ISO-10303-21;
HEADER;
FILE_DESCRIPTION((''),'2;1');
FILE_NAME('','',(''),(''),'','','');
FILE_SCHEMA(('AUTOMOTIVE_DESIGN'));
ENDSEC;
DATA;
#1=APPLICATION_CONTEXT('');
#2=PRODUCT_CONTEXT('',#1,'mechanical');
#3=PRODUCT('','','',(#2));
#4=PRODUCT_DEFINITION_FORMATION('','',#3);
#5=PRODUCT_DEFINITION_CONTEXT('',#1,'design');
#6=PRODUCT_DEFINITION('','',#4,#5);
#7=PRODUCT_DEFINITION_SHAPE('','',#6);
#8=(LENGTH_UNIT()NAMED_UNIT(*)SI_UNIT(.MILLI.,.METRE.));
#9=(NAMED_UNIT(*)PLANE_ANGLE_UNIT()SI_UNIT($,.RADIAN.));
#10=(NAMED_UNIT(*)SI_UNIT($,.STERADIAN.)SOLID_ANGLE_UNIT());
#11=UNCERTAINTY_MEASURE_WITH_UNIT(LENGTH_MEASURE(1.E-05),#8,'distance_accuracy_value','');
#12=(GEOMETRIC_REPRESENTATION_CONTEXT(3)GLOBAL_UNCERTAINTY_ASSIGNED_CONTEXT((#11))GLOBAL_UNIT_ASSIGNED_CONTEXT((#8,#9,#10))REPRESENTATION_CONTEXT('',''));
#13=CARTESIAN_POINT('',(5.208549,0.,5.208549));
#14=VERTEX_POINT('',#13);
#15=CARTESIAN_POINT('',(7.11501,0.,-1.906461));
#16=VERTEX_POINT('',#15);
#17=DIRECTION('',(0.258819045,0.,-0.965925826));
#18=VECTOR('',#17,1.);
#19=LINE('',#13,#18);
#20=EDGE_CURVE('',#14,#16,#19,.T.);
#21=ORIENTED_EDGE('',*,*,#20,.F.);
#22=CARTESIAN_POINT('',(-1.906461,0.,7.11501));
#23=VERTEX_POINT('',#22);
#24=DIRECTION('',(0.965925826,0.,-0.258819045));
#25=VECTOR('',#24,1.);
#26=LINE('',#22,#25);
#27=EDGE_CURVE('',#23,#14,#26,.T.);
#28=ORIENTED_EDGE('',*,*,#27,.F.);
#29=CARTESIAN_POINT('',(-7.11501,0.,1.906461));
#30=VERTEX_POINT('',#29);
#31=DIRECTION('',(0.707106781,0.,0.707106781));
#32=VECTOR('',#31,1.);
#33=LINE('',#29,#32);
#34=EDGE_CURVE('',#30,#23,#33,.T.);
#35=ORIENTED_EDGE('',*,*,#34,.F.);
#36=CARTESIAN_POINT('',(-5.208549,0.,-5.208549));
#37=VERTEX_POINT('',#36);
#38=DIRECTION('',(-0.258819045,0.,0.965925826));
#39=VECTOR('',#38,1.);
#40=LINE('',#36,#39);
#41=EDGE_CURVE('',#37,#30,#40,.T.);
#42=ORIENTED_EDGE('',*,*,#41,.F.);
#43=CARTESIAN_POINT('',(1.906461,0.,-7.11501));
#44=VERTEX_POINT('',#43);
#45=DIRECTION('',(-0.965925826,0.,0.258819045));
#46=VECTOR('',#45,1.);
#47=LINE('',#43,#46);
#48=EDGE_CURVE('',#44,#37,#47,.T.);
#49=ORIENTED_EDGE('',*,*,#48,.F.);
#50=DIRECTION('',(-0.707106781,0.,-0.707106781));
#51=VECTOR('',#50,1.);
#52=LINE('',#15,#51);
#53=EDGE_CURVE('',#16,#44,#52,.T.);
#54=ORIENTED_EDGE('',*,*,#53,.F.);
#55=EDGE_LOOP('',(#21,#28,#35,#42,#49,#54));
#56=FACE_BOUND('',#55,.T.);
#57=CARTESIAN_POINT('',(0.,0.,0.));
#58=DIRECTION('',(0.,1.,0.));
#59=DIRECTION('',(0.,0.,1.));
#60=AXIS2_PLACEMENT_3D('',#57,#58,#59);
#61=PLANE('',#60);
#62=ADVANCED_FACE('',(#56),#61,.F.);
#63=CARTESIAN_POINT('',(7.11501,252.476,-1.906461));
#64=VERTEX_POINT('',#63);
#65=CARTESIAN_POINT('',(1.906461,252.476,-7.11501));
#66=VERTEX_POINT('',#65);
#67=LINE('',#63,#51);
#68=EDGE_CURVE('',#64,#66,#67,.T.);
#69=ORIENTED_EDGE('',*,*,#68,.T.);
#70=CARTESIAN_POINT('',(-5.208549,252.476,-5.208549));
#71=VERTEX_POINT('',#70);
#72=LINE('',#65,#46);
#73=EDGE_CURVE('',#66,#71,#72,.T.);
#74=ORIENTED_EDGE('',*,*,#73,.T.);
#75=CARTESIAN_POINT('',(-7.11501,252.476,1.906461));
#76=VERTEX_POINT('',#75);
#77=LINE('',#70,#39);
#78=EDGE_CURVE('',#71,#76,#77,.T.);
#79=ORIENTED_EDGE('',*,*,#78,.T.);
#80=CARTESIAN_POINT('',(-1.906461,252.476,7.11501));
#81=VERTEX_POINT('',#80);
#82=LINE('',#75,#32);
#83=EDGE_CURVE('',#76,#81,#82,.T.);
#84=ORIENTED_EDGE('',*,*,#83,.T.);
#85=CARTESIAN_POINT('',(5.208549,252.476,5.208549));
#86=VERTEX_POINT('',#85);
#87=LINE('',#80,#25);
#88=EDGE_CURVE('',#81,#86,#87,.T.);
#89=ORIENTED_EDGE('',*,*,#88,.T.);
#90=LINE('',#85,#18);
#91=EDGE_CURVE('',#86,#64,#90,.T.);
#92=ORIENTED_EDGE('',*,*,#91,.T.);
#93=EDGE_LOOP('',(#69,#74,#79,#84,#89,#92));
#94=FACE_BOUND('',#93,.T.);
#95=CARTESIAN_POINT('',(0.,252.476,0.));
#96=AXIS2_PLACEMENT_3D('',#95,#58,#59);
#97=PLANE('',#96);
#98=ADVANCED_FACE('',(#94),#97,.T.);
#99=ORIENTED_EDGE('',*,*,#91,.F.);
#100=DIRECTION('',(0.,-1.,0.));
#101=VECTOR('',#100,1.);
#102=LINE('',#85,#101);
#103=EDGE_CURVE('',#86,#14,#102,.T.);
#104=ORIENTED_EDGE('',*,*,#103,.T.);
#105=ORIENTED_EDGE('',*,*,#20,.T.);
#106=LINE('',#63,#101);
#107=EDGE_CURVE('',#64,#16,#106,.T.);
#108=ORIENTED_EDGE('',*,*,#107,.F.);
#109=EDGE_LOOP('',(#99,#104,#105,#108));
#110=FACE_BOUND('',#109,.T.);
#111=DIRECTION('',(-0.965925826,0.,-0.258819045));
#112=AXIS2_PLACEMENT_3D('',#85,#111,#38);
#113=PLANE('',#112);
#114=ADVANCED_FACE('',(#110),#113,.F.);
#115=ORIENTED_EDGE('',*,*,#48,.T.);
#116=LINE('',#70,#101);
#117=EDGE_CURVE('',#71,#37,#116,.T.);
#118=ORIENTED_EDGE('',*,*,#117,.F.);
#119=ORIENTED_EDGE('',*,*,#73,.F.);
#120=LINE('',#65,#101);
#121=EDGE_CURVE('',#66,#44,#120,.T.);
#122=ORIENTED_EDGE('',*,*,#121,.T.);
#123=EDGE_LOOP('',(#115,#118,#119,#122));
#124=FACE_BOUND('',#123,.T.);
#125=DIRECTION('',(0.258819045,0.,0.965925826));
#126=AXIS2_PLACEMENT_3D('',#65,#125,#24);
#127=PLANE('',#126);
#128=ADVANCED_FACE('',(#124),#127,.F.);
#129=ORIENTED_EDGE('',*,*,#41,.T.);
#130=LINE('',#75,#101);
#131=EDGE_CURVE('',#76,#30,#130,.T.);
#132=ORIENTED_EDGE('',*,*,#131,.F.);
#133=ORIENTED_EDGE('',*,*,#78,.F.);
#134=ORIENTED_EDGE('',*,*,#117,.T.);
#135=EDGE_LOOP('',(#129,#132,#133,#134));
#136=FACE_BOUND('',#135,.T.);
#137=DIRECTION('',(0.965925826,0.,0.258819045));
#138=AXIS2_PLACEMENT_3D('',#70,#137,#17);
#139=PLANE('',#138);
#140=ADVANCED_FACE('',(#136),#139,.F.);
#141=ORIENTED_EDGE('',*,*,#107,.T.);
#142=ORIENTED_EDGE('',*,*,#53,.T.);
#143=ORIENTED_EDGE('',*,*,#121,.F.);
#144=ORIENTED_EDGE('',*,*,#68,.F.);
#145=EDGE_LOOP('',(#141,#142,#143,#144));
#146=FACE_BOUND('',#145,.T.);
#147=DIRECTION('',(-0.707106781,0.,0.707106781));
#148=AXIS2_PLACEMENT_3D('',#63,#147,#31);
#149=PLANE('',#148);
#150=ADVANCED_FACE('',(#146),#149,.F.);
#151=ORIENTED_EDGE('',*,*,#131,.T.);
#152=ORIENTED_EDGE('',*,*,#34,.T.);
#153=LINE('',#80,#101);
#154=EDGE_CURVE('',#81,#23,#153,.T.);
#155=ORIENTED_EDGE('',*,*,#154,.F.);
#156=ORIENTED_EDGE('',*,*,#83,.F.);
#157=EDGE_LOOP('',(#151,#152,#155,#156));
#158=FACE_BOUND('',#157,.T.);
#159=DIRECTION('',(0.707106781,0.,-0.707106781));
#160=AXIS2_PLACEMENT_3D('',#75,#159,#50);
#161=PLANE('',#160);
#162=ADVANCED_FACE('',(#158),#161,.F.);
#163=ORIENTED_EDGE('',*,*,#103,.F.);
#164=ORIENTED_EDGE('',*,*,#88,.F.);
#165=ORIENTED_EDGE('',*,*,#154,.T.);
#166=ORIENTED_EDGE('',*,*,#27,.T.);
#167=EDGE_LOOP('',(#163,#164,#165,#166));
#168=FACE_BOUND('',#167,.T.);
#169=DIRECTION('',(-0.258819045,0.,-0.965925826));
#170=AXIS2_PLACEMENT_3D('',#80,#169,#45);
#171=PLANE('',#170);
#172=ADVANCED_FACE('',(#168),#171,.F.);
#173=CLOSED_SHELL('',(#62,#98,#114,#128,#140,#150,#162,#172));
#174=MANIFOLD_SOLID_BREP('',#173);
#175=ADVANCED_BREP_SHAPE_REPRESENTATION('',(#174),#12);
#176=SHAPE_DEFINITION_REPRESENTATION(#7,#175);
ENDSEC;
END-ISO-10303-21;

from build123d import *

# Parameters (mm, degrees)
BOSS_EXTRUDE1_DEPTH = 252.476


with BuildPart() as part:
    # Sketch1 → Boss-Extrude1 (new body)
    with BuildSketch(Plane(origin=(0, 0, 0), x_dir=(1, 0, 0), z_dir=(0, 1, 0))):
        Polygon((5.20854855, -5.20854855), (7.115009636, 1.906461086), (1.906461086, 7.115009636), (-5.20854855, 5.20854855), (-7.115009636, -1.906461086), (-1.906461086, -7.115009636), align=None)
    extrude(amount=BOSS_EXTRUDE1_DEPTH)


solid = part.part
